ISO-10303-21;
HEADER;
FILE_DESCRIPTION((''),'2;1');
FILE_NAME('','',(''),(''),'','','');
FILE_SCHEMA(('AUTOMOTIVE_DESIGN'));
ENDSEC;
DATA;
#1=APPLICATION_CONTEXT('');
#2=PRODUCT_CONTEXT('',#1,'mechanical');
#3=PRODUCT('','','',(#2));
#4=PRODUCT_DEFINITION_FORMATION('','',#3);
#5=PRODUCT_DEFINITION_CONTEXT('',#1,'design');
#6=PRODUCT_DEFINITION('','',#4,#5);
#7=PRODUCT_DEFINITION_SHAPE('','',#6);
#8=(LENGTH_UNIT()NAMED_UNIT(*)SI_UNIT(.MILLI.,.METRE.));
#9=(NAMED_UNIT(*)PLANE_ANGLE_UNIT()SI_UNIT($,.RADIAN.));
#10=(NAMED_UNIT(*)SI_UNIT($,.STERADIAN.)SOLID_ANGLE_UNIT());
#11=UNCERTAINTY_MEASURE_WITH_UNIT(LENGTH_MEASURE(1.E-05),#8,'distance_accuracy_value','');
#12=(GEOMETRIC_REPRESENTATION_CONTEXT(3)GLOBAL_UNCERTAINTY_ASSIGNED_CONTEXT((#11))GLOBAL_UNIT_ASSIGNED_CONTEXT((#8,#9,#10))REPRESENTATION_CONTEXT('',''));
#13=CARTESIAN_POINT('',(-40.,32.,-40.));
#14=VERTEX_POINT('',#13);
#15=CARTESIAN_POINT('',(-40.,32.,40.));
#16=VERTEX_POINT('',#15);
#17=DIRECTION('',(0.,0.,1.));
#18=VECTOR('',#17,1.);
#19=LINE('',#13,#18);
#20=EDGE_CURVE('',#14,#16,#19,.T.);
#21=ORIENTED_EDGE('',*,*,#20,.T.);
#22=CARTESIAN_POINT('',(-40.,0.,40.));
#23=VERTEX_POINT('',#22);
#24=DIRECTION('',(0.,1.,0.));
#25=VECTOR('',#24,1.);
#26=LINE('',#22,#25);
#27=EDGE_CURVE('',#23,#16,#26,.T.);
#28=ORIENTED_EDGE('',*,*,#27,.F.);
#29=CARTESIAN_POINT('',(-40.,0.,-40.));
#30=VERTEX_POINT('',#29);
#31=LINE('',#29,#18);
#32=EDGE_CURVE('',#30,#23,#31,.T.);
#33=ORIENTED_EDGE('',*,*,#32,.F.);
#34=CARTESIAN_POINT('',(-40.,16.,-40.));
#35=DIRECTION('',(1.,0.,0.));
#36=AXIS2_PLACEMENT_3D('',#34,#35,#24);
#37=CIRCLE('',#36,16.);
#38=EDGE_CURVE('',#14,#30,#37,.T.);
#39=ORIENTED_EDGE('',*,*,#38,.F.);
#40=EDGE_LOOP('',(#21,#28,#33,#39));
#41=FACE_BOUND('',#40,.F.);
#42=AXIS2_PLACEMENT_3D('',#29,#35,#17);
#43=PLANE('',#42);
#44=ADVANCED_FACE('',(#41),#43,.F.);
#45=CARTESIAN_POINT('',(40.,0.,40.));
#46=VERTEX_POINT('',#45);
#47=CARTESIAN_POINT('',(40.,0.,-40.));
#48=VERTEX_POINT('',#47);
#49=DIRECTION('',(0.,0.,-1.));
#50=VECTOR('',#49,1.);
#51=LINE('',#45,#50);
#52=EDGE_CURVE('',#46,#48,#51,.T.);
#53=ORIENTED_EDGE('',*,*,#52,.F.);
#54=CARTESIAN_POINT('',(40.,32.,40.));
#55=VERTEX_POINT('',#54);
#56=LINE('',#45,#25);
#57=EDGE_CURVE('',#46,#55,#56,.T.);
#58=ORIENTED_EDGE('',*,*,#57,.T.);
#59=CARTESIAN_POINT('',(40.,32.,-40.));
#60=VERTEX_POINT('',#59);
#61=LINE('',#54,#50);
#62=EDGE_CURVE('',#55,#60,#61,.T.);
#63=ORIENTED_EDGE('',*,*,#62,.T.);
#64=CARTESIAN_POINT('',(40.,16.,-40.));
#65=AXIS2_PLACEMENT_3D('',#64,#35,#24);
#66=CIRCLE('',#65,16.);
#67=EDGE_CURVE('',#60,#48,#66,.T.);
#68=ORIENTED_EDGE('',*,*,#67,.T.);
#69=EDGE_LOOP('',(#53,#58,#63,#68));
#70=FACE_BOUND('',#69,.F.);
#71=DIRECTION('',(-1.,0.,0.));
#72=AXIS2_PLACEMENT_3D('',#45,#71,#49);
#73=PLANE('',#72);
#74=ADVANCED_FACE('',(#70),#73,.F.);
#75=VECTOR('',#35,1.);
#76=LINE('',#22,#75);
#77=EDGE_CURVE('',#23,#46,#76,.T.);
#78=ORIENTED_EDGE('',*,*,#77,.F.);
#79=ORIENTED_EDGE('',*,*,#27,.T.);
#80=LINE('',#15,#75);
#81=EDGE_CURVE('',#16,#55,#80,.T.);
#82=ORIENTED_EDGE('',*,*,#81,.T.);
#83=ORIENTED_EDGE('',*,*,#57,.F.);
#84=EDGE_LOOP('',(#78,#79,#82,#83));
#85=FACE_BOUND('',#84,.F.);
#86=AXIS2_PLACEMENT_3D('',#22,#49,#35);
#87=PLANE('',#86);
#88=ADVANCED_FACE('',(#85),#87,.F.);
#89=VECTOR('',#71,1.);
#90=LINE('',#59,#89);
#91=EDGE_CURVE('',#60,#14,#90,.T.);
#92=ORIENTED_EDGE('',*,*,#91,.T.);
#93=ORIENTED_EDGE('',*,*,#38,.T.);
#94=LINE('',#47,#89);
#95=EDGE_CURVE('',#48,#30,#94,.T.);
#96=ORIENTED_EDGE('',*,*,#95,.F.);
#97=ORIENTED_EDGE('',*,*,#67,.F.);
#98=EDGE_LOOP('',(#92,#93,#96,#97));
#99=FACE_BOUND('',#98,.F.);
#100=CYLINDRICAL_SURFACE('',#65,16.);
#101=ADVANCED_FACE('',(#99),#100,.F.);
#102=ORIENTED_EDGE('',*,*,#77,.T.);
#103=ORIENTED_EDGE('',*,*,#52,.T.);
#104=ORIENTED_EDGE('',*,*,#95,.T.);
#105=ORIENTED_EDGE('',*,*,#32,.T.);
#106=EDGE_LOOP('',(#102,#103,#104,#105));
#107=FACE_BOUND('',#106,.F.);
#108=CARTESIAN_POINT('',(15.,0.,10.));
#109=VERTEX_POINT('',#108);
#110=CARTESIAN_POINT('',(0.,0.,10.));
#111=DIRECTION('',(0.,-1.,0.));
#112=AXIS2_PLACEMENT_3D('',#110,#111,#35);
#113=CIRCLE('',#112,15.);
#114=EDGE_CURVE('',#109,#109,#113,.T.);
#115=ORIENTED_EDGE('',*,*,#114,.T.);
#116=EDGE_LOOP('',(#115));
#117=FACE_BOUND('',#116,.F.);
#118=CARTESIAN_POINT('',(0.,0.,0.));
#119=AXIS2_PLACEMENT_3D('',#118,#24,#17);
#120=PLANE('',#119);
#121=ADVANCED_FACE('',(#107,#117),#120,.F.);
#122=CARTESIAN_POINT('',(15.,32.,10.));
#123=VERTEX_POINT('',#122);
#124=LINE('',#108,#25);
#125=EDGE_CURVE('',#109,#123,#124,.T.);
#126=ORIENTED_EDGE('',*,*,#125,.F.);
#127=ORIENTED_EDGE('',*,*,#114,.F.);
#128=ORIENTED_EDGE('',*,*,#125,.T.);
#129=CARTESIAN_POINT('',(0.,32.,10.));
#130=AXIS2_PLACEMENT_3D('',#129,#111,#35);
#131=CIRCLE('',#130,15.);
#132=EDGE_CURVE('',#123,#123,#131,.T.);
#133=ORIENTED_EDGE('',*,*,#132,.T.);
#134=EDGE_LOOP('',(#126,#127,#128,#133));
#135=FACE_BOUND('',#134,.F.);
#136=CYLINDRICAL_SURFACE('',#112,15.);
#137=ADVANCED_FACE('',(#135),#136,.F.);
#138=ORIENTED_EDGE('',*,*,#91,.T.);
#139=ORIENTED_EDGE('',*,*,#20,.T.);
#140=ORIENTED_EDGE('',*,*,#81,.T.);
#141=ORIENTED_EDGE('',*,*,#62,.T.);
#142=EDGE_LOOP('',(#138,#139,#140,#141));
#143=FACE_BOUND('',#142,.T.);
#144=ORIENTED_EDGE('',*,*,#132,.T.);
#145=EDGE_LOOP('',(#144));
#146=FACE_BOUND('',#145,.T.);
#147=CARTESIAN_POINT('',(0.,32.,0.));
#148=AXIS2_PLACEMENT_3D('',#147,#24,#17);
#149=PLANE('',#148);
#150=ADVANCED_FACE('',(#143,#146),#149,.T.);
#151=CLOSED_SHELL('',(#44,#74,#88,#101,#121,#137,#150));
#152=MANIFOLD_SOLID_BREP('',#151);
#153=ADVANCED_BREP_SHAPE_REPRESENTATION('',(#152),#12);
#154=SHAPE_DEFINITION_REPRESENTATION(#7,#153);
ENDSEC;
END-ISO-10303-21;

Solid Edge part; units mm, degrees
sketch "Sketch1" plane through (0, 0, 0) normal (0, -1, 0) x (1, 0, 0)
  line L0 (-40, 40) -> (40, 40)
  line L1 (40, 40) -> (40, -40)
  line L2 (40, -40) -> (-40, -40)
  line L3 (-40, -40) -> (-40, 40)
  dimension "D1" = 80
  dimension "D2" = 80
extrude "Protrusion1" add sketch "Sketch1" against normal blind 32
sketch "Sketch2" plane through (40, 16, 0) normal (1, 0, 0) x (0, 1, 0)
  circle A0 centre (0, -40) radius 16
extrude "Cutout1" cut sketch "Sketch2" against normal through all
sketch "Sketch3" plane through (0, 0, 0) normal (0, -1, 0) x (1, 0, 0)
  circle A0 centre (0, 10) radius 15
  dimension "D1" = 50
extrude "Cutout2" cut sketch "Sketch3" against normal through all
